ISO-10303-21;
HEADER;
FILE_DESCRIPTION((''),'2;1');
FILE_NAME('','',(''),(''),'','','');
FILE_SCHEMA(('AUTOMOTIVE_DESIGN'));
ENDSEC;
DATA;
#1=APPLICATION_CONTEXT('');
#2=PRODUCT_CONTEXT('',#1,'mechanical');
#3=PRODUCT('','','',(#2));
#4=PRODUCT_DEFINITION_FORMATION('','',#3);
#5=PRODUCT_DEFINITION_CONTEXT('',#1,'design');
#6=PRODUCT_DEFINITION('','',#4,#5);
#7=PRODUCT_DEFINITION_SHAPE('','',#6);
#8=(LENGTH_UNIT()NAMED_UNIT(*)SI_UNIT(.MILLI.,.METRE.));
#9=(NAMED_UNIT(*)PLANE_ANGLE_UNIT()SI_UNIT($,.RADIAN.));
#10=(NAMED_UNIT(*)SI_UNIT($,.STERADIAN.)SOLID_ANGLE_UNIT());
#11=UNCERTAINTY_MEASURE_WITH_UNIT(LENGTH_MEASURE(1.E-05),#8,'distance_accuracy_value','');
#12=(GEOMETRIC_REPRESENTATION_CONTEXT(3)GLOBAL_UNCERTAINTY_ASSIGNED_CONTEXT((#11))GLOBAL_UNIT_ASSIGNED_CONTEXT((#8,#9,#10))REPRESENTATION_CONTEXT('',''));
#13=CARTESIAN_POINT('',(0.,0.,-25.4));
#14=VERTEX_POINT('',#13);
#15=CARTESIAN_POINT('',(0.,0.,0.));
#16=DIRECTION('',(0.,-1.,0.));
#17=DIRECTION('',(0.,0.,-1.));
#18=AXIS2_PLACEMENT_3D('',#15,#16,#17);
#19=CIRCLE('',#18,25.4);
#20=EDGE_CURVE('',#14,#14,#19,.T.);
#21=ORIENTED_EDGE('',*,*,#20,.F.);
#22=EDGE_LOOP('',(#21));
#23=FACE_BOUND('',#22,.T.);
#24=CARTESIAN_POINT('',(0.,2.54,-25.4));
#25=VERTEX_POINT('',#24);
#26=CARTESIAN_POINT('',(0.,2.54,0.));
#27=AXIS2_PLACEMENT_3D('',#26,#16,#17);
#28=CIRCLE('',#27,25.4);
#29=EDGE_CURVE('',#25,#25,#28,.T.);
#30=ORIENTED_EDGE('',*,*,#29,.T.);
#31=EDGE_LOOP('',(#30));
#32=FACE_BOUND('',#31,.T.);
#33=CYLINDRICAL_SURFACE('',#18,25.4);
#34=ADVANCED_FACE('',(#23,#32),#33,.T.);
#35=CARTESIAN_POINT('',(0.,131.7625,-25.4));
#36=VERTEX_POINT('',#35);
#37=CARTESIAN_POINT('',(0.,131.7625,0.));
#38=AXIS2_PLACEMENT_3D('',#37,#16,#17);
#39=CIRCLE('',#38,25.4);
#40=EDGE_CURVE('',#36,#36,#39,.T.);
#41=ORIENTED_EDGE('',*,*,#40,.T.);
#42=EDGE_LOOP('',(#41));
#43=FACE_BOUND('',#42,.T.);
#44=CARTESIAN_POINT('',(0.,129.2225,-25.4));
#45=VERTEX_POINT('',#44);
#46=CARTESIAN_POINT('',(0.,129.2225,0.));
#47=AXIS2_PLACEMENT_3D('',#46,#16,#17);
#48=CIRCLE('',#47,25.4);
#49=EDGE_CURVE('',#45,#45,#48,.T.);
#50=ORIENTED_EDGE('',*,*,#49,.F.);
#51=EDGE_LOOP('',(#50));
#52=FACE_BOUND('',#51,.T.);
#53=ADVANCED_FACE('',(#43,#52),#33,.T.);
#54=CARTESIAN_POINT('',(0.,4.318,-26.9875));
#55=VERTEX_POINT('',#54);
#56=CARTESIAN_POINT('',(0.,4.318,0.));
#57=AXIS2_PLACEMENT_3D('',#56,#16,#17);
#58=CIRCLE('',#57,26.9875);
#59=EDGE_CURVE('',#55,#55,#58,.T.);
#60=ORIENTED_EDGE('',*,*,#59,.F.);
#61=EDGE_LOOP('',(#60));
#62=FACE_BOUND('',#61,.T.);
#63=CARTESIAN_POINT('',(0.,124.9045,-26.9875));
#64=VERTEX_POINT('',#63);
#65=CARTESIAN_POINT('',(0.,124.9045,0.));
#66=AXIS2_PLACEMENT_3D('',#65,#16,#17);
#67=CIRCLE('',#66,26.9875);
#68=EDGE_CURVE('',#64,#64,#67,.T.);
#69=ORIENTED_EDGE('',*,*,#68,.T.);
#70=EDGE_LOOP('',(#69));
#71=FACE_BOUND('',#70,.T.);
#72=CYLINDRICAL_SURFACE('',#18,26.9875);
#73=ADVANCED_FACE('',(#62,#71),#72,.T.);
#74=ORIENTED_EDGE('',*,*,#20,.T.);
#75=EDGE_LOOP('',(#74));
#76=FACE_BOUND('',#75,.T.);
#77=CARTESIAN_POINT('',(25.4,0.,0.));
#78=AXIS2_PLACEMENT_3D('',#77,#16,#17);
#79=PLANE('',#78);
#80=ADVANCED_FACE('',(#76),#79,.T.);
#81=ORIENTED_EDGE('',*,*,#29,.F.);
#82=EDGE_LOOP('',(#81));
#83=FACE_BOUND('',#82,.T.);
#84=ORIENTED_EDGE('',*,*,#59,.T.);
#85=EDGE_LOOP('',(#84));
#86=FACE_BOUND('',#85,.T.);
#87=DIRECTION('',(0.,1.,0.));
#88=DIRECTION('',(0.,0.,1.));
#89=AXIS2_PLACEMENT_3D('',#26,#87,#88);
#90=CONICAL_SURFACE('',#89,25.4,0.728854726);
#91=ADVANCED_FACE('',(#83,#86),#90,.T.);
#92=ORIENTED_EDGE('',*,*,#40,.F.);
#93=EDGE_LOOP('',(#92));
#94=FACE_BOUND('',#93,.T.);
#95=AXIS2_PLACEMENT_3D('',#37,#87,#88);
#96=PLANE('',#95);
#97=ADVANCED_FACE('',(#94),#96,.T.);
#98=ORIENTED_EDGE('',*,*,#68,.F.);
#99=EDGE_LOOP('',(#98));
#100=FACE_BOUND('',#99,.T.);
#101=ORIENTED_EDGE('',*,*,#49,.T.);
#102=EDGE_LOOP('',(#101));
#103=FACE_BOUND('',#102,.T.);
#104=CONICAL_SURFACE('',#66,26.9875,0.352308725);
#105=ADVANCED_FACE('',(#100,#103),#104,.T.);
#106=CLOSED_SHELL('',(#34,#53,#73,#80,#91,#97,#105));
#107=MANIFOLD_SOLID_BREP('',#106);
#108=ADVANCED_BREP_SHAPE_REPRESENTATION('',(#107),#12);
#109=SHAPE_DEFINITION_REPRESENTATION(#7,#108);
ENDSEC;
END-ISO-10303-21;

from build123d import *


with BuildPart() as part:
    # Sketch1 → Revolve1 (revolve)
    with BuildSketch(Plane.XY):
        Polygon((0, 0), (0, 131.7625), (25.4, 131.7625), (25.4, 129.2225), (26.9875, 124.9045), (26.9875, 4.318), (25.4, 2.54), (25.4, 0), align=None)
    revolve(axis=Axis((0, 0, 0), (0, 1, 0)))


solid = part.part
